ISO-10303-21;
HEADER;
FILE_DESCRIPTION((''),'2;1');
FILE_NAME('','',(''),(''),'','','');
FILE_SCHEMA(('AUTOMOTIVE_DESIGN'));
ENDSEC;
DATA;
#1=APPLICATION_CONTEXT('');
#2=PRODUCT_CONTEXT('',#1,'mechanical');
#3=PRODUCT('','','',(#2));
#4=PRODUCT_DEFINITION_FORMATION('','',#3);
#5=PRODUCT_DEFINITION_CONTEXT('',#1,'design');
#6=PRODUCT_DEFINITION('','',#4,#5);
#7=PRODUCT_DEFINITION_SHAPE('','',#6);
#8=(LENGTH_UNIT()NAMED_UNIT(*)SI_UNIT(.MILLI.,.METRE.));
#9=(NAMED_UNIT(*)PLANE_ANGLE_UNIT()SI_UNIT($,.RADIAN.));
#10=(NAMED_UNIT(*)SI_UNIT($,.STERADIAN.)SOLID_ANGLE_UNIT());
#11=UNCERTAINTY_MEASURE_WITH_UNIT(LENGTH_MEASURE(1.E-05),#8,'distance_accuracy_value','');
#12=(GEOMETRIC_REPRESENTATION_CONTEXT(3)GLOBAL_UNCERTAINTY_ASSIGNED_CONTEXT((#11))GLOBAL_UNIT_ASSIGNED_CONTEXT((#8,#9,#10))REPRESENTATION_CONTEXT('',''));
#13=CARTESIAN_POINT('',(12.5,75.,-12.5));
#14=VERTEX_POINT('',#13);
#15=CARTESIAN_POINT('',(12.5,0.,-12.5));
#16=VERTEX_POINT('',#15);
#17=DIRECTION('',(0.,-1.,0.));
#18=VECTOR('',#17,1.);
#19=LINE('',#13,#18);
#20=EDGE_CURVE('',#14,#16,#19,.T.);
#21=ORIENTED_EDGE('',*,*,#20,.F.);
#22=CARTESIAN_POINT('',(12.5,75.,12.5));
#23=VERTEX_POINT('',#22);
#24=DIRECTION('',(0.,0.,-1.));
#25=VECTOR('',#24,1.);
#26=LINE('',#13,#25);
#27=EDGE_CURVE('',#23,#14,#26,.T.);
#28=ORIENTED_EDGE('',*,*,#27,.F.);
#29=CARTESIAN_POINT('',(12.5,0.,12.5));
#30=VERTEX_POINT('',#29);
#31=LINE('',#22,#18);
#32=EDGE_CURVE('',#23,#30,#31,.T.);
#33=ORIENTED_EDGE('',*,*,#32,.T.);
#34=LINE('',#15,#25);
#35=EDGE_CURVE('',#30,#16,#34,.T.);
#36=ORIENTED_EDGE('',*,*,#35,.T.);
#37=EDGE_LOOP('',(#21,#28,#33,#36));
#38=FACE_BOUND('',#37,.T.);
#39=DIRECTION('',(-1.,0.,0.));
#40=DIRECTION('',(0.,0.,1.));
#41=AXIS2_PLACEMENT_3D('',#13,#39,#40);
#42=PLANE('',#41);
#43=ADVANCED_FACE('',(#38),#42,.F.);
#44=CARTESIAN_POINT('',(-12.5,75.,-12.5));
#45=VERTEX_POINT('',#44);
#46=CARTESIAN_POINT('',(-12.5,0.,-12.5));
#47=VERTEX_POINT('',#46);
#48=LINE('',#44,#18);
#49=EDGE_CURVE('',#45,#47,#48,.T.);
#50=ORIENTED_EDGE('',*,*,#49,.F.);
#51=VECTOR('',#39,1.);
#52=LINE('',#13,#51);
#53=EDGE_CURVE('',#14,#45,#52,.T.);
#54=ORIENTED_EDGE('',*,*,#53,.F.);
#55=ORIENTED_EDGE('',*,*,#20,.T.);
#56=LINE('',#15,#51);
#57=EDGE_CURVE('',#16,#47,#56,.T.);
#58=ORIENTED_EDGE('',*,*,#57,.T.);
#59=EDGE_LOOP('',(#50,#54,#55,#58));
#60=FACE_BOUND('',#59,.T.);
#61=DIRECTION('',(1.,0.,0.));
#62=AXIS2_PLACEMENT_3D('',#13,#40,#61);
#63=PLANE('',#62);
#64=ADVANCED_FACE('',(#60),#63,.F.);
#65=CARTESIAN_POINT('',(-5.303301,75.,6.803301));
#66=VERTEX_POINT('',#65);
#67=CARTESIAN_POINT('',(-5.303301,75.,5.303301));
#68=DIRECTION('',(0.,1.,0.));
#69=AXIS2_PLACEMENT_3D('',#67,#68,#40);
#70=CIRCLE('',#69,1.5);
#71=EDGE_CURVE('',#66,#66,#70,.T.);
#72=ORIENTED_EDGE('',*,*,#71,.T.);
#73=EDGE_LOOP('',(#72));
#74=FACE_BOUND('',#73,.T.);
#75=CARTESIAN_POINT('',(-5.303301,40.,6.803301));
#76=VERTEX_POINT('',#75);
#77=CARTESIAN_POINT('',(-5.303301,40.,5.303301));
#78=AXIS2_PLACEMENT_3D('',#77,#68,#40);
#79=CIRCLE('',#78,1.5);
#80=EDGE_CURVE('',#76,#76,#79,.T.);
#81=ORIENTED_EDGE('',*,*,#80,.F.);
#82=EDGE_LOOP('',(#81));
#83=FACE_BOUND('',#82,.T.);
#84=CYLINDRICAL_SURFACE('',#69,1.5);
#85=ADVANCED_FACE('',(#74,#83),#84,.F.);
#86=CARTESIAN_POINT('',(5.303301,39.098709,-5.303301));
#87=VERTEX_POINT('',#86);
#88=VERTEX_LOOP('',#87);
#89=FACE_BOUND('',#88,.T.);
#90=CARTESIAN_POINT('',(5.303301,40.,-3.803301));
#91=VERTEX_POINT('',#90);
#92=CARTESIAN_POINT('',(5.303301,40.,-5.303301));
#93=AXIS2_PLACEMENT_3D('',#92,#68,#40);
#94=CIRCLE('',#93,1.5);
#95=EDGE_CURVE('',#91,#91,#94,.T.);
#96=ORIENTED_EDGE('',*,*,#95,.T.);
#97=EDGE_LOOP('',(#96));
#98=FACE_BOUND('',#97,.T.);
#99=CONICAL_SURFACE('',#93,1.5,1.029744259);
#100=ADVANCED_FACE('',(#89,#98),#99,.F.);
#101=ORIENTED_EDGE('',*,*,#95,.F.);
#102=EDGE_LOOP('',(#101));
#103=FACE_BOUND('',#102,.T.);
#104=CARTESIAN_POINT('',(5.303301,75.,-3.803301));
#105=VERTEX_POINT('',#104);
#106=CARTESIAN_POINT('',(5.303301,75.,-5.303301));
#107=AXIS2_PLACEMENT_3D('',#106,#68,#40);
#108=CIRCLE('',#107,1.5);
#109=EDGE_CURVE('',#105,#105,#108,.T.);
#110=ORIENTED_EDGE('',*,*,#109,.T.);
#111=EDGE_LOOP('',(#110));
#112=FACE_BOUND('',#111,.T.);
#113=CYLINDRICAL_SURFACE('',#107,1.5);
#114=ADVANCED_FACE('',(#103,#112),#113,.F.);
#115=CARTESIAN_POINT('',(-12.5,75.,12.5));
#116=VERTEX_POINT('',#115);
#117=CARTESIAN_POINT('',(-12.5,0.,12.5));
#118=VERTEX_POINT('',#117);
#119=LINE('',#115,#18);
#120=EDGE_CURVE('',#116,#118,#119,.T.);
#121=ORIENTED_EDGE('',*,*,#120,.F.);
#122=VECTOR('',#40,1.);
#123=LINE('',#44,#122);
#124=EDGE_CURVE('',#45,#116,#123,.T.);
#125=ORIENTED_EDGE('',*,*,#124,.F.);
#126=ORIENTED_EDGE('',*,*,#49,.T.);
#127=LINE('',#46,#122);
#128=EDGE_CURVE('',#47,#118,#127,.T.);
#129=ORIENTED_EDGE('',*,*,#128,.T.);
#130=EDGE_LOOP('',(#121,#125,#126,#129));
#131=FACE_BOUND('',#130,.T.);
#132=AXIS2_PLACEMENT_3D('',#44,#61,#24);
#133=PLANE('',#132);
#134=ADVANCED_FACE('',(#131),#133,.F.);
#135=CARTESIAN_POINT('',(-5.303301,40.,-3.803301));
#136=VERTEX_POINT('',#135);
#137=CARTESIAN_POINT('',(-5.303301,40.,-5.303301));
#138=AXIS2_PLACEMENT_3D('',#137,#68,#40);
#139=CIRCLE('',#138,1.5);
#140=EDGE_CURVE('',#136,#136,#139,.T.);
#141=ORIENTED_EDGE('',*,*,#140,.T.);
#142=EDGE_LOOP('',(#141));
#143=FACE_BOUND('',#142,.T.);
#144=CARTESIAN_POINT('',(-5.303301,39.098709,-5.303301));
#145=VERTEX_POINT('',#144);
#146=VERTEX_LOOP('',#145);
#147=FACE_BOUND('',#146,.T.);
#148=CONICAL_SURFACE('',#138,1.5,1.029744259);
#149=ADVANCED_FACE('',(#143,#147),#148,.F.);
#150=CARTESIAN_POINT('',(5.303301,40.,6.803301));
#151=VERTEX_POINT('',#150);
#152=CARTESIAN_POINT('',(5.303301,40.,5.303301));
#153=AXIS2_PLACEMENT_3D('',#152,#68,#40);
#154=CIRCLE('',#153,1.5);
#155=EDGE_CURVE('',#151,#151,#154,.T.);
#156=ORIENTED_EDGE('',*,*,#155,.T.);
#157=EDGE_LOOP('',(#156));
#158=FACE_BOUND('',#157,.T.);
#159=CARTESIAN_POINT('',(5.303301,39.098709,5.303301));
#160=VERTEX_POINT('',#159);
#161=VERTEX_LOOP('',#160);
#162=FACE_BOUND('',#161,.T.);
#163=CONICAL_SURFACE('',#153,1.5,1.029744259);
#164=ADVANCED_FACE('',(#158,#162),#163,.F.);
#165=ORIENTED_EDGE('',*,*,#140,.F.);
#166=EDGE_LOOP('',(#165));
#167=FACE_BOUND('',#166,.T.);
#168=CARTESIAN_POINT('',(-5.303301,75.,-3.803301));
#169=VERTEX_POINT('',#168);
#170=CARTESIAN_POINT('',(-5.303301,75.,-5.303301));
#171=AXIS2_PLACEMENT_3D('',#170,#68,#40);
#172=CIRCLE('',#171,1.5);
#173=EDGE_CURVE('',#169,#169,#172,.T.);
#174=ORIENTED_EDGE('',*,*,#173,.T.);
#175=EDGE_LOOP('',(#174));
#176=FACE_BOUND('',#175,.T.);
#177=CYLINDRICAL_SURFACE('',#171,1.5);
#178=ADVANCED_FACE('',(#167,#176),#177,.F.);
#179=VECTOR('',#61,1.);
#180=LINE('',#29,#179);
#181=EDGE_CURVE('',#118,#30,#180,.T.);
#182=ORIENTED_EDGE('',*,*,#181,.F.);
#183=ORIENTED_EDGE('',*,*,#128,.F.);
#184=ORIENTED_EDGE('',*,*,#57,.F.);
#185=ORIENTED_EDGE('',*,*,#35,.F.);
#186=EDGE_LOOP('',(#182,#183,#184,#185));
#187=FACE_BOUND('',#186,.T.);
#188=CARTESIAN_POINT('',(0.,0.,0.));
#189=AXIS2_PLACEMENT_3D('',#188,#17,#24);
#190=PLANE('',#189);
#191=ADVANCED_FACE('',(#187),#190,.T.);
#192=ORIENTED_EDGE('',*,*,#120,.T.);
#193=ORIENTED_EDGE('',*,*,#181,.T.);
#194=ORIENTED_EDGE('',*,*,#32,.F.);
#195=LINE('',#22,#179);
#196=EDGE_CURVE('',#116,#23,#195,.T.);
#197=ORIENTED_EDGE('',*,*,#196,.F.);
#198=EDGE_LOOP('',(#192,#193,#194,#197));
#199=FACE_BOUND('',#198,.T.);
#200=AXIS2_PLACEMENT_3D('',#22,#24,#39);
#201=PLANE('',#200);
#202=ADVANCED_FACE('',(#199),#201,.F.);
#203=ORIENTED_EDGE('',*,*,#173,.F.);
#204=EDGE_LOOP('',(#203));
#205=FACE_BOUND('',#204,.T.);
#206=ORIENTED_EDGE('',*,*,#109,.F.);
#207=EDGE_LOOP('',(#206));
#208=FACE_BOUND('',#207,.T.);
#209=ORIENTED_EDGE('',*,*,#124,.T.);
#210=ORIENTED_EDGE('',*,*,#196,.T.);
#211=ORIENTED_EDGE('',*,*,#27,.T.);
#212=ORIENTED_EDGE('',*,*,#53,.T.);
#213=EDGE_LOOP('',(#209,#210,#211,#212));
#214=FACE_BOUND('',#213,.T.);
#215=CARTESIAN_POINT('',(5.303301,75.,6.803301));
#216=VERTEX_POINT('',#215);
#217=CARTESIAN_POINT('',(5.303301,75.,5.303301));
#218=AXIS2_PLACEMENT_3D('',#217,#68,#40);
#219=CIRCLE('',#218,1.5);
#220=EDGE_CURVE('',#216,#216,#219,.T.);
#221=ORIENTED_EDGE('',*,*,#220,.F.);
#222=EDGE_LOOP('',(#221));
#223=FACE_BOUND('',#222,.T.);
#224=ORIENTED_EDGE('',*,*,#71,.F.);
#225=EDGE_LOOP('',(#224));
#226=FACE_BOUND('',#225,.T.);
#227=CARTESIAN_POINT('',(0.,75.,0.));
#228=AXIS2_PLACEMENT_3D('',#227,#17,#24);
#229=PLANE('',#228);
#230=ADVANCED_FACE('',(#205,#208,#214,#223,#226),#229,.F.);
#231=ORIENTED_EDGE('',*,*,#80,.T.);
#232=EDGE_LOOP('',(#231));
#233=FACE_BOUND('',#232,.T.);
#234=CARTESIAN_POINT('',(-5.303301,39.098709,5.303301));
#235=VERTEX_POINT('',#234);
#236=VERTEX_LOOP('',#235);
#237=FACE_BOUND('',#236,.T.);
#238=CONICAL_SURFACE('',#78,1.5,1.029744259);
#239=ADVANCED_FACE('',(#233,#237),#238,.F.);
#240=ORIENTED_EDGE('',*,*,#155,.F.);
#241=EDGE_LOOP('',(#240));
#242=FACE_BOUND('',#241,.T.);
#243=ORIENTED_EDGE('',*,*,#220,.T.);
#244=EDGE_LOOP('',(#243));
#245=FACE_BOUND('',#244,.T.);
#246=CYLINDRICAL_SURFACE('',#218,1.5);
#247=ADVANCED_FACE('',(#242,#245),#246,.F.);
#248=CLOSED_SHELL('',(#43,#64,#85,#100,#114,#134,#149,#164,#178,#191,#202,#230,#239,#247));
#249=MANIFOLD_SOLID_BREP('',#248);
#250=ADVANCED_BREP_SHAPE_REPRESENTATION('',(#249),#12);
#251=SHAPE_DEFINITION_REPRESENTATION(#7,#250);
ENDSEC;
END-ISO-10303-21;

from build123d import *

# Parameters (mm, degrees)
SKETCH1_W                 = 25
SKETCH1_H                 = 25
BOSS_EXTRUDE1_DEPTH       = 75
M3X0_5_TAPPED_HOLE1_D     = 3
M3X0_5_TAPPED_HOLE1_DEPTH = 35
M3X0_5_TAPPED_HOLE1_TIP   = 0.901290929


with BuildPart() as part:
    # Sketch1 → Boss-Extrude1 (new body)
    with BuildSketch(Plane(origin=(0, 0, 0), x_dir=(1, 0, 0), z_dir=(0, 1, 0))):
        Rectangle(SKETCH1_W, SKETCH1_H)
    extrude(amount=BOSS_EXTRUDE1_DEPTH)

    # M3x0.5 Tapped Hole1
    with Locations(Plane(origin=(0, 75, 0), x_dir=(1, 0, 0), z_dir=(0, 1, 0))):
        with Locations((-5.303300859, -5.303300859), (5.303300859, -5.303300859), (5.303300859, 5.303300859), (-5.303300859, 5.303300859)):
            Hole(M3X0_5_TAPPED_HOLE1_D / 2, depth=M3X0_5_TAPPED_HOLE1_DEPTH)
            with Locations((0, 0, -(M3X0_5_TAPPED_HOLE1_DEPTH + M3X0_5_TAPPED_HOLE1_TIP / 2))):  # 118° drill point
                Cone(0, M3X0_5_TAPPED_HOLE1_D / 2, M3X0_5_TAPPED_HOLE1_TIP, mode=Mode.SUBTRACT)


solid = part.part
